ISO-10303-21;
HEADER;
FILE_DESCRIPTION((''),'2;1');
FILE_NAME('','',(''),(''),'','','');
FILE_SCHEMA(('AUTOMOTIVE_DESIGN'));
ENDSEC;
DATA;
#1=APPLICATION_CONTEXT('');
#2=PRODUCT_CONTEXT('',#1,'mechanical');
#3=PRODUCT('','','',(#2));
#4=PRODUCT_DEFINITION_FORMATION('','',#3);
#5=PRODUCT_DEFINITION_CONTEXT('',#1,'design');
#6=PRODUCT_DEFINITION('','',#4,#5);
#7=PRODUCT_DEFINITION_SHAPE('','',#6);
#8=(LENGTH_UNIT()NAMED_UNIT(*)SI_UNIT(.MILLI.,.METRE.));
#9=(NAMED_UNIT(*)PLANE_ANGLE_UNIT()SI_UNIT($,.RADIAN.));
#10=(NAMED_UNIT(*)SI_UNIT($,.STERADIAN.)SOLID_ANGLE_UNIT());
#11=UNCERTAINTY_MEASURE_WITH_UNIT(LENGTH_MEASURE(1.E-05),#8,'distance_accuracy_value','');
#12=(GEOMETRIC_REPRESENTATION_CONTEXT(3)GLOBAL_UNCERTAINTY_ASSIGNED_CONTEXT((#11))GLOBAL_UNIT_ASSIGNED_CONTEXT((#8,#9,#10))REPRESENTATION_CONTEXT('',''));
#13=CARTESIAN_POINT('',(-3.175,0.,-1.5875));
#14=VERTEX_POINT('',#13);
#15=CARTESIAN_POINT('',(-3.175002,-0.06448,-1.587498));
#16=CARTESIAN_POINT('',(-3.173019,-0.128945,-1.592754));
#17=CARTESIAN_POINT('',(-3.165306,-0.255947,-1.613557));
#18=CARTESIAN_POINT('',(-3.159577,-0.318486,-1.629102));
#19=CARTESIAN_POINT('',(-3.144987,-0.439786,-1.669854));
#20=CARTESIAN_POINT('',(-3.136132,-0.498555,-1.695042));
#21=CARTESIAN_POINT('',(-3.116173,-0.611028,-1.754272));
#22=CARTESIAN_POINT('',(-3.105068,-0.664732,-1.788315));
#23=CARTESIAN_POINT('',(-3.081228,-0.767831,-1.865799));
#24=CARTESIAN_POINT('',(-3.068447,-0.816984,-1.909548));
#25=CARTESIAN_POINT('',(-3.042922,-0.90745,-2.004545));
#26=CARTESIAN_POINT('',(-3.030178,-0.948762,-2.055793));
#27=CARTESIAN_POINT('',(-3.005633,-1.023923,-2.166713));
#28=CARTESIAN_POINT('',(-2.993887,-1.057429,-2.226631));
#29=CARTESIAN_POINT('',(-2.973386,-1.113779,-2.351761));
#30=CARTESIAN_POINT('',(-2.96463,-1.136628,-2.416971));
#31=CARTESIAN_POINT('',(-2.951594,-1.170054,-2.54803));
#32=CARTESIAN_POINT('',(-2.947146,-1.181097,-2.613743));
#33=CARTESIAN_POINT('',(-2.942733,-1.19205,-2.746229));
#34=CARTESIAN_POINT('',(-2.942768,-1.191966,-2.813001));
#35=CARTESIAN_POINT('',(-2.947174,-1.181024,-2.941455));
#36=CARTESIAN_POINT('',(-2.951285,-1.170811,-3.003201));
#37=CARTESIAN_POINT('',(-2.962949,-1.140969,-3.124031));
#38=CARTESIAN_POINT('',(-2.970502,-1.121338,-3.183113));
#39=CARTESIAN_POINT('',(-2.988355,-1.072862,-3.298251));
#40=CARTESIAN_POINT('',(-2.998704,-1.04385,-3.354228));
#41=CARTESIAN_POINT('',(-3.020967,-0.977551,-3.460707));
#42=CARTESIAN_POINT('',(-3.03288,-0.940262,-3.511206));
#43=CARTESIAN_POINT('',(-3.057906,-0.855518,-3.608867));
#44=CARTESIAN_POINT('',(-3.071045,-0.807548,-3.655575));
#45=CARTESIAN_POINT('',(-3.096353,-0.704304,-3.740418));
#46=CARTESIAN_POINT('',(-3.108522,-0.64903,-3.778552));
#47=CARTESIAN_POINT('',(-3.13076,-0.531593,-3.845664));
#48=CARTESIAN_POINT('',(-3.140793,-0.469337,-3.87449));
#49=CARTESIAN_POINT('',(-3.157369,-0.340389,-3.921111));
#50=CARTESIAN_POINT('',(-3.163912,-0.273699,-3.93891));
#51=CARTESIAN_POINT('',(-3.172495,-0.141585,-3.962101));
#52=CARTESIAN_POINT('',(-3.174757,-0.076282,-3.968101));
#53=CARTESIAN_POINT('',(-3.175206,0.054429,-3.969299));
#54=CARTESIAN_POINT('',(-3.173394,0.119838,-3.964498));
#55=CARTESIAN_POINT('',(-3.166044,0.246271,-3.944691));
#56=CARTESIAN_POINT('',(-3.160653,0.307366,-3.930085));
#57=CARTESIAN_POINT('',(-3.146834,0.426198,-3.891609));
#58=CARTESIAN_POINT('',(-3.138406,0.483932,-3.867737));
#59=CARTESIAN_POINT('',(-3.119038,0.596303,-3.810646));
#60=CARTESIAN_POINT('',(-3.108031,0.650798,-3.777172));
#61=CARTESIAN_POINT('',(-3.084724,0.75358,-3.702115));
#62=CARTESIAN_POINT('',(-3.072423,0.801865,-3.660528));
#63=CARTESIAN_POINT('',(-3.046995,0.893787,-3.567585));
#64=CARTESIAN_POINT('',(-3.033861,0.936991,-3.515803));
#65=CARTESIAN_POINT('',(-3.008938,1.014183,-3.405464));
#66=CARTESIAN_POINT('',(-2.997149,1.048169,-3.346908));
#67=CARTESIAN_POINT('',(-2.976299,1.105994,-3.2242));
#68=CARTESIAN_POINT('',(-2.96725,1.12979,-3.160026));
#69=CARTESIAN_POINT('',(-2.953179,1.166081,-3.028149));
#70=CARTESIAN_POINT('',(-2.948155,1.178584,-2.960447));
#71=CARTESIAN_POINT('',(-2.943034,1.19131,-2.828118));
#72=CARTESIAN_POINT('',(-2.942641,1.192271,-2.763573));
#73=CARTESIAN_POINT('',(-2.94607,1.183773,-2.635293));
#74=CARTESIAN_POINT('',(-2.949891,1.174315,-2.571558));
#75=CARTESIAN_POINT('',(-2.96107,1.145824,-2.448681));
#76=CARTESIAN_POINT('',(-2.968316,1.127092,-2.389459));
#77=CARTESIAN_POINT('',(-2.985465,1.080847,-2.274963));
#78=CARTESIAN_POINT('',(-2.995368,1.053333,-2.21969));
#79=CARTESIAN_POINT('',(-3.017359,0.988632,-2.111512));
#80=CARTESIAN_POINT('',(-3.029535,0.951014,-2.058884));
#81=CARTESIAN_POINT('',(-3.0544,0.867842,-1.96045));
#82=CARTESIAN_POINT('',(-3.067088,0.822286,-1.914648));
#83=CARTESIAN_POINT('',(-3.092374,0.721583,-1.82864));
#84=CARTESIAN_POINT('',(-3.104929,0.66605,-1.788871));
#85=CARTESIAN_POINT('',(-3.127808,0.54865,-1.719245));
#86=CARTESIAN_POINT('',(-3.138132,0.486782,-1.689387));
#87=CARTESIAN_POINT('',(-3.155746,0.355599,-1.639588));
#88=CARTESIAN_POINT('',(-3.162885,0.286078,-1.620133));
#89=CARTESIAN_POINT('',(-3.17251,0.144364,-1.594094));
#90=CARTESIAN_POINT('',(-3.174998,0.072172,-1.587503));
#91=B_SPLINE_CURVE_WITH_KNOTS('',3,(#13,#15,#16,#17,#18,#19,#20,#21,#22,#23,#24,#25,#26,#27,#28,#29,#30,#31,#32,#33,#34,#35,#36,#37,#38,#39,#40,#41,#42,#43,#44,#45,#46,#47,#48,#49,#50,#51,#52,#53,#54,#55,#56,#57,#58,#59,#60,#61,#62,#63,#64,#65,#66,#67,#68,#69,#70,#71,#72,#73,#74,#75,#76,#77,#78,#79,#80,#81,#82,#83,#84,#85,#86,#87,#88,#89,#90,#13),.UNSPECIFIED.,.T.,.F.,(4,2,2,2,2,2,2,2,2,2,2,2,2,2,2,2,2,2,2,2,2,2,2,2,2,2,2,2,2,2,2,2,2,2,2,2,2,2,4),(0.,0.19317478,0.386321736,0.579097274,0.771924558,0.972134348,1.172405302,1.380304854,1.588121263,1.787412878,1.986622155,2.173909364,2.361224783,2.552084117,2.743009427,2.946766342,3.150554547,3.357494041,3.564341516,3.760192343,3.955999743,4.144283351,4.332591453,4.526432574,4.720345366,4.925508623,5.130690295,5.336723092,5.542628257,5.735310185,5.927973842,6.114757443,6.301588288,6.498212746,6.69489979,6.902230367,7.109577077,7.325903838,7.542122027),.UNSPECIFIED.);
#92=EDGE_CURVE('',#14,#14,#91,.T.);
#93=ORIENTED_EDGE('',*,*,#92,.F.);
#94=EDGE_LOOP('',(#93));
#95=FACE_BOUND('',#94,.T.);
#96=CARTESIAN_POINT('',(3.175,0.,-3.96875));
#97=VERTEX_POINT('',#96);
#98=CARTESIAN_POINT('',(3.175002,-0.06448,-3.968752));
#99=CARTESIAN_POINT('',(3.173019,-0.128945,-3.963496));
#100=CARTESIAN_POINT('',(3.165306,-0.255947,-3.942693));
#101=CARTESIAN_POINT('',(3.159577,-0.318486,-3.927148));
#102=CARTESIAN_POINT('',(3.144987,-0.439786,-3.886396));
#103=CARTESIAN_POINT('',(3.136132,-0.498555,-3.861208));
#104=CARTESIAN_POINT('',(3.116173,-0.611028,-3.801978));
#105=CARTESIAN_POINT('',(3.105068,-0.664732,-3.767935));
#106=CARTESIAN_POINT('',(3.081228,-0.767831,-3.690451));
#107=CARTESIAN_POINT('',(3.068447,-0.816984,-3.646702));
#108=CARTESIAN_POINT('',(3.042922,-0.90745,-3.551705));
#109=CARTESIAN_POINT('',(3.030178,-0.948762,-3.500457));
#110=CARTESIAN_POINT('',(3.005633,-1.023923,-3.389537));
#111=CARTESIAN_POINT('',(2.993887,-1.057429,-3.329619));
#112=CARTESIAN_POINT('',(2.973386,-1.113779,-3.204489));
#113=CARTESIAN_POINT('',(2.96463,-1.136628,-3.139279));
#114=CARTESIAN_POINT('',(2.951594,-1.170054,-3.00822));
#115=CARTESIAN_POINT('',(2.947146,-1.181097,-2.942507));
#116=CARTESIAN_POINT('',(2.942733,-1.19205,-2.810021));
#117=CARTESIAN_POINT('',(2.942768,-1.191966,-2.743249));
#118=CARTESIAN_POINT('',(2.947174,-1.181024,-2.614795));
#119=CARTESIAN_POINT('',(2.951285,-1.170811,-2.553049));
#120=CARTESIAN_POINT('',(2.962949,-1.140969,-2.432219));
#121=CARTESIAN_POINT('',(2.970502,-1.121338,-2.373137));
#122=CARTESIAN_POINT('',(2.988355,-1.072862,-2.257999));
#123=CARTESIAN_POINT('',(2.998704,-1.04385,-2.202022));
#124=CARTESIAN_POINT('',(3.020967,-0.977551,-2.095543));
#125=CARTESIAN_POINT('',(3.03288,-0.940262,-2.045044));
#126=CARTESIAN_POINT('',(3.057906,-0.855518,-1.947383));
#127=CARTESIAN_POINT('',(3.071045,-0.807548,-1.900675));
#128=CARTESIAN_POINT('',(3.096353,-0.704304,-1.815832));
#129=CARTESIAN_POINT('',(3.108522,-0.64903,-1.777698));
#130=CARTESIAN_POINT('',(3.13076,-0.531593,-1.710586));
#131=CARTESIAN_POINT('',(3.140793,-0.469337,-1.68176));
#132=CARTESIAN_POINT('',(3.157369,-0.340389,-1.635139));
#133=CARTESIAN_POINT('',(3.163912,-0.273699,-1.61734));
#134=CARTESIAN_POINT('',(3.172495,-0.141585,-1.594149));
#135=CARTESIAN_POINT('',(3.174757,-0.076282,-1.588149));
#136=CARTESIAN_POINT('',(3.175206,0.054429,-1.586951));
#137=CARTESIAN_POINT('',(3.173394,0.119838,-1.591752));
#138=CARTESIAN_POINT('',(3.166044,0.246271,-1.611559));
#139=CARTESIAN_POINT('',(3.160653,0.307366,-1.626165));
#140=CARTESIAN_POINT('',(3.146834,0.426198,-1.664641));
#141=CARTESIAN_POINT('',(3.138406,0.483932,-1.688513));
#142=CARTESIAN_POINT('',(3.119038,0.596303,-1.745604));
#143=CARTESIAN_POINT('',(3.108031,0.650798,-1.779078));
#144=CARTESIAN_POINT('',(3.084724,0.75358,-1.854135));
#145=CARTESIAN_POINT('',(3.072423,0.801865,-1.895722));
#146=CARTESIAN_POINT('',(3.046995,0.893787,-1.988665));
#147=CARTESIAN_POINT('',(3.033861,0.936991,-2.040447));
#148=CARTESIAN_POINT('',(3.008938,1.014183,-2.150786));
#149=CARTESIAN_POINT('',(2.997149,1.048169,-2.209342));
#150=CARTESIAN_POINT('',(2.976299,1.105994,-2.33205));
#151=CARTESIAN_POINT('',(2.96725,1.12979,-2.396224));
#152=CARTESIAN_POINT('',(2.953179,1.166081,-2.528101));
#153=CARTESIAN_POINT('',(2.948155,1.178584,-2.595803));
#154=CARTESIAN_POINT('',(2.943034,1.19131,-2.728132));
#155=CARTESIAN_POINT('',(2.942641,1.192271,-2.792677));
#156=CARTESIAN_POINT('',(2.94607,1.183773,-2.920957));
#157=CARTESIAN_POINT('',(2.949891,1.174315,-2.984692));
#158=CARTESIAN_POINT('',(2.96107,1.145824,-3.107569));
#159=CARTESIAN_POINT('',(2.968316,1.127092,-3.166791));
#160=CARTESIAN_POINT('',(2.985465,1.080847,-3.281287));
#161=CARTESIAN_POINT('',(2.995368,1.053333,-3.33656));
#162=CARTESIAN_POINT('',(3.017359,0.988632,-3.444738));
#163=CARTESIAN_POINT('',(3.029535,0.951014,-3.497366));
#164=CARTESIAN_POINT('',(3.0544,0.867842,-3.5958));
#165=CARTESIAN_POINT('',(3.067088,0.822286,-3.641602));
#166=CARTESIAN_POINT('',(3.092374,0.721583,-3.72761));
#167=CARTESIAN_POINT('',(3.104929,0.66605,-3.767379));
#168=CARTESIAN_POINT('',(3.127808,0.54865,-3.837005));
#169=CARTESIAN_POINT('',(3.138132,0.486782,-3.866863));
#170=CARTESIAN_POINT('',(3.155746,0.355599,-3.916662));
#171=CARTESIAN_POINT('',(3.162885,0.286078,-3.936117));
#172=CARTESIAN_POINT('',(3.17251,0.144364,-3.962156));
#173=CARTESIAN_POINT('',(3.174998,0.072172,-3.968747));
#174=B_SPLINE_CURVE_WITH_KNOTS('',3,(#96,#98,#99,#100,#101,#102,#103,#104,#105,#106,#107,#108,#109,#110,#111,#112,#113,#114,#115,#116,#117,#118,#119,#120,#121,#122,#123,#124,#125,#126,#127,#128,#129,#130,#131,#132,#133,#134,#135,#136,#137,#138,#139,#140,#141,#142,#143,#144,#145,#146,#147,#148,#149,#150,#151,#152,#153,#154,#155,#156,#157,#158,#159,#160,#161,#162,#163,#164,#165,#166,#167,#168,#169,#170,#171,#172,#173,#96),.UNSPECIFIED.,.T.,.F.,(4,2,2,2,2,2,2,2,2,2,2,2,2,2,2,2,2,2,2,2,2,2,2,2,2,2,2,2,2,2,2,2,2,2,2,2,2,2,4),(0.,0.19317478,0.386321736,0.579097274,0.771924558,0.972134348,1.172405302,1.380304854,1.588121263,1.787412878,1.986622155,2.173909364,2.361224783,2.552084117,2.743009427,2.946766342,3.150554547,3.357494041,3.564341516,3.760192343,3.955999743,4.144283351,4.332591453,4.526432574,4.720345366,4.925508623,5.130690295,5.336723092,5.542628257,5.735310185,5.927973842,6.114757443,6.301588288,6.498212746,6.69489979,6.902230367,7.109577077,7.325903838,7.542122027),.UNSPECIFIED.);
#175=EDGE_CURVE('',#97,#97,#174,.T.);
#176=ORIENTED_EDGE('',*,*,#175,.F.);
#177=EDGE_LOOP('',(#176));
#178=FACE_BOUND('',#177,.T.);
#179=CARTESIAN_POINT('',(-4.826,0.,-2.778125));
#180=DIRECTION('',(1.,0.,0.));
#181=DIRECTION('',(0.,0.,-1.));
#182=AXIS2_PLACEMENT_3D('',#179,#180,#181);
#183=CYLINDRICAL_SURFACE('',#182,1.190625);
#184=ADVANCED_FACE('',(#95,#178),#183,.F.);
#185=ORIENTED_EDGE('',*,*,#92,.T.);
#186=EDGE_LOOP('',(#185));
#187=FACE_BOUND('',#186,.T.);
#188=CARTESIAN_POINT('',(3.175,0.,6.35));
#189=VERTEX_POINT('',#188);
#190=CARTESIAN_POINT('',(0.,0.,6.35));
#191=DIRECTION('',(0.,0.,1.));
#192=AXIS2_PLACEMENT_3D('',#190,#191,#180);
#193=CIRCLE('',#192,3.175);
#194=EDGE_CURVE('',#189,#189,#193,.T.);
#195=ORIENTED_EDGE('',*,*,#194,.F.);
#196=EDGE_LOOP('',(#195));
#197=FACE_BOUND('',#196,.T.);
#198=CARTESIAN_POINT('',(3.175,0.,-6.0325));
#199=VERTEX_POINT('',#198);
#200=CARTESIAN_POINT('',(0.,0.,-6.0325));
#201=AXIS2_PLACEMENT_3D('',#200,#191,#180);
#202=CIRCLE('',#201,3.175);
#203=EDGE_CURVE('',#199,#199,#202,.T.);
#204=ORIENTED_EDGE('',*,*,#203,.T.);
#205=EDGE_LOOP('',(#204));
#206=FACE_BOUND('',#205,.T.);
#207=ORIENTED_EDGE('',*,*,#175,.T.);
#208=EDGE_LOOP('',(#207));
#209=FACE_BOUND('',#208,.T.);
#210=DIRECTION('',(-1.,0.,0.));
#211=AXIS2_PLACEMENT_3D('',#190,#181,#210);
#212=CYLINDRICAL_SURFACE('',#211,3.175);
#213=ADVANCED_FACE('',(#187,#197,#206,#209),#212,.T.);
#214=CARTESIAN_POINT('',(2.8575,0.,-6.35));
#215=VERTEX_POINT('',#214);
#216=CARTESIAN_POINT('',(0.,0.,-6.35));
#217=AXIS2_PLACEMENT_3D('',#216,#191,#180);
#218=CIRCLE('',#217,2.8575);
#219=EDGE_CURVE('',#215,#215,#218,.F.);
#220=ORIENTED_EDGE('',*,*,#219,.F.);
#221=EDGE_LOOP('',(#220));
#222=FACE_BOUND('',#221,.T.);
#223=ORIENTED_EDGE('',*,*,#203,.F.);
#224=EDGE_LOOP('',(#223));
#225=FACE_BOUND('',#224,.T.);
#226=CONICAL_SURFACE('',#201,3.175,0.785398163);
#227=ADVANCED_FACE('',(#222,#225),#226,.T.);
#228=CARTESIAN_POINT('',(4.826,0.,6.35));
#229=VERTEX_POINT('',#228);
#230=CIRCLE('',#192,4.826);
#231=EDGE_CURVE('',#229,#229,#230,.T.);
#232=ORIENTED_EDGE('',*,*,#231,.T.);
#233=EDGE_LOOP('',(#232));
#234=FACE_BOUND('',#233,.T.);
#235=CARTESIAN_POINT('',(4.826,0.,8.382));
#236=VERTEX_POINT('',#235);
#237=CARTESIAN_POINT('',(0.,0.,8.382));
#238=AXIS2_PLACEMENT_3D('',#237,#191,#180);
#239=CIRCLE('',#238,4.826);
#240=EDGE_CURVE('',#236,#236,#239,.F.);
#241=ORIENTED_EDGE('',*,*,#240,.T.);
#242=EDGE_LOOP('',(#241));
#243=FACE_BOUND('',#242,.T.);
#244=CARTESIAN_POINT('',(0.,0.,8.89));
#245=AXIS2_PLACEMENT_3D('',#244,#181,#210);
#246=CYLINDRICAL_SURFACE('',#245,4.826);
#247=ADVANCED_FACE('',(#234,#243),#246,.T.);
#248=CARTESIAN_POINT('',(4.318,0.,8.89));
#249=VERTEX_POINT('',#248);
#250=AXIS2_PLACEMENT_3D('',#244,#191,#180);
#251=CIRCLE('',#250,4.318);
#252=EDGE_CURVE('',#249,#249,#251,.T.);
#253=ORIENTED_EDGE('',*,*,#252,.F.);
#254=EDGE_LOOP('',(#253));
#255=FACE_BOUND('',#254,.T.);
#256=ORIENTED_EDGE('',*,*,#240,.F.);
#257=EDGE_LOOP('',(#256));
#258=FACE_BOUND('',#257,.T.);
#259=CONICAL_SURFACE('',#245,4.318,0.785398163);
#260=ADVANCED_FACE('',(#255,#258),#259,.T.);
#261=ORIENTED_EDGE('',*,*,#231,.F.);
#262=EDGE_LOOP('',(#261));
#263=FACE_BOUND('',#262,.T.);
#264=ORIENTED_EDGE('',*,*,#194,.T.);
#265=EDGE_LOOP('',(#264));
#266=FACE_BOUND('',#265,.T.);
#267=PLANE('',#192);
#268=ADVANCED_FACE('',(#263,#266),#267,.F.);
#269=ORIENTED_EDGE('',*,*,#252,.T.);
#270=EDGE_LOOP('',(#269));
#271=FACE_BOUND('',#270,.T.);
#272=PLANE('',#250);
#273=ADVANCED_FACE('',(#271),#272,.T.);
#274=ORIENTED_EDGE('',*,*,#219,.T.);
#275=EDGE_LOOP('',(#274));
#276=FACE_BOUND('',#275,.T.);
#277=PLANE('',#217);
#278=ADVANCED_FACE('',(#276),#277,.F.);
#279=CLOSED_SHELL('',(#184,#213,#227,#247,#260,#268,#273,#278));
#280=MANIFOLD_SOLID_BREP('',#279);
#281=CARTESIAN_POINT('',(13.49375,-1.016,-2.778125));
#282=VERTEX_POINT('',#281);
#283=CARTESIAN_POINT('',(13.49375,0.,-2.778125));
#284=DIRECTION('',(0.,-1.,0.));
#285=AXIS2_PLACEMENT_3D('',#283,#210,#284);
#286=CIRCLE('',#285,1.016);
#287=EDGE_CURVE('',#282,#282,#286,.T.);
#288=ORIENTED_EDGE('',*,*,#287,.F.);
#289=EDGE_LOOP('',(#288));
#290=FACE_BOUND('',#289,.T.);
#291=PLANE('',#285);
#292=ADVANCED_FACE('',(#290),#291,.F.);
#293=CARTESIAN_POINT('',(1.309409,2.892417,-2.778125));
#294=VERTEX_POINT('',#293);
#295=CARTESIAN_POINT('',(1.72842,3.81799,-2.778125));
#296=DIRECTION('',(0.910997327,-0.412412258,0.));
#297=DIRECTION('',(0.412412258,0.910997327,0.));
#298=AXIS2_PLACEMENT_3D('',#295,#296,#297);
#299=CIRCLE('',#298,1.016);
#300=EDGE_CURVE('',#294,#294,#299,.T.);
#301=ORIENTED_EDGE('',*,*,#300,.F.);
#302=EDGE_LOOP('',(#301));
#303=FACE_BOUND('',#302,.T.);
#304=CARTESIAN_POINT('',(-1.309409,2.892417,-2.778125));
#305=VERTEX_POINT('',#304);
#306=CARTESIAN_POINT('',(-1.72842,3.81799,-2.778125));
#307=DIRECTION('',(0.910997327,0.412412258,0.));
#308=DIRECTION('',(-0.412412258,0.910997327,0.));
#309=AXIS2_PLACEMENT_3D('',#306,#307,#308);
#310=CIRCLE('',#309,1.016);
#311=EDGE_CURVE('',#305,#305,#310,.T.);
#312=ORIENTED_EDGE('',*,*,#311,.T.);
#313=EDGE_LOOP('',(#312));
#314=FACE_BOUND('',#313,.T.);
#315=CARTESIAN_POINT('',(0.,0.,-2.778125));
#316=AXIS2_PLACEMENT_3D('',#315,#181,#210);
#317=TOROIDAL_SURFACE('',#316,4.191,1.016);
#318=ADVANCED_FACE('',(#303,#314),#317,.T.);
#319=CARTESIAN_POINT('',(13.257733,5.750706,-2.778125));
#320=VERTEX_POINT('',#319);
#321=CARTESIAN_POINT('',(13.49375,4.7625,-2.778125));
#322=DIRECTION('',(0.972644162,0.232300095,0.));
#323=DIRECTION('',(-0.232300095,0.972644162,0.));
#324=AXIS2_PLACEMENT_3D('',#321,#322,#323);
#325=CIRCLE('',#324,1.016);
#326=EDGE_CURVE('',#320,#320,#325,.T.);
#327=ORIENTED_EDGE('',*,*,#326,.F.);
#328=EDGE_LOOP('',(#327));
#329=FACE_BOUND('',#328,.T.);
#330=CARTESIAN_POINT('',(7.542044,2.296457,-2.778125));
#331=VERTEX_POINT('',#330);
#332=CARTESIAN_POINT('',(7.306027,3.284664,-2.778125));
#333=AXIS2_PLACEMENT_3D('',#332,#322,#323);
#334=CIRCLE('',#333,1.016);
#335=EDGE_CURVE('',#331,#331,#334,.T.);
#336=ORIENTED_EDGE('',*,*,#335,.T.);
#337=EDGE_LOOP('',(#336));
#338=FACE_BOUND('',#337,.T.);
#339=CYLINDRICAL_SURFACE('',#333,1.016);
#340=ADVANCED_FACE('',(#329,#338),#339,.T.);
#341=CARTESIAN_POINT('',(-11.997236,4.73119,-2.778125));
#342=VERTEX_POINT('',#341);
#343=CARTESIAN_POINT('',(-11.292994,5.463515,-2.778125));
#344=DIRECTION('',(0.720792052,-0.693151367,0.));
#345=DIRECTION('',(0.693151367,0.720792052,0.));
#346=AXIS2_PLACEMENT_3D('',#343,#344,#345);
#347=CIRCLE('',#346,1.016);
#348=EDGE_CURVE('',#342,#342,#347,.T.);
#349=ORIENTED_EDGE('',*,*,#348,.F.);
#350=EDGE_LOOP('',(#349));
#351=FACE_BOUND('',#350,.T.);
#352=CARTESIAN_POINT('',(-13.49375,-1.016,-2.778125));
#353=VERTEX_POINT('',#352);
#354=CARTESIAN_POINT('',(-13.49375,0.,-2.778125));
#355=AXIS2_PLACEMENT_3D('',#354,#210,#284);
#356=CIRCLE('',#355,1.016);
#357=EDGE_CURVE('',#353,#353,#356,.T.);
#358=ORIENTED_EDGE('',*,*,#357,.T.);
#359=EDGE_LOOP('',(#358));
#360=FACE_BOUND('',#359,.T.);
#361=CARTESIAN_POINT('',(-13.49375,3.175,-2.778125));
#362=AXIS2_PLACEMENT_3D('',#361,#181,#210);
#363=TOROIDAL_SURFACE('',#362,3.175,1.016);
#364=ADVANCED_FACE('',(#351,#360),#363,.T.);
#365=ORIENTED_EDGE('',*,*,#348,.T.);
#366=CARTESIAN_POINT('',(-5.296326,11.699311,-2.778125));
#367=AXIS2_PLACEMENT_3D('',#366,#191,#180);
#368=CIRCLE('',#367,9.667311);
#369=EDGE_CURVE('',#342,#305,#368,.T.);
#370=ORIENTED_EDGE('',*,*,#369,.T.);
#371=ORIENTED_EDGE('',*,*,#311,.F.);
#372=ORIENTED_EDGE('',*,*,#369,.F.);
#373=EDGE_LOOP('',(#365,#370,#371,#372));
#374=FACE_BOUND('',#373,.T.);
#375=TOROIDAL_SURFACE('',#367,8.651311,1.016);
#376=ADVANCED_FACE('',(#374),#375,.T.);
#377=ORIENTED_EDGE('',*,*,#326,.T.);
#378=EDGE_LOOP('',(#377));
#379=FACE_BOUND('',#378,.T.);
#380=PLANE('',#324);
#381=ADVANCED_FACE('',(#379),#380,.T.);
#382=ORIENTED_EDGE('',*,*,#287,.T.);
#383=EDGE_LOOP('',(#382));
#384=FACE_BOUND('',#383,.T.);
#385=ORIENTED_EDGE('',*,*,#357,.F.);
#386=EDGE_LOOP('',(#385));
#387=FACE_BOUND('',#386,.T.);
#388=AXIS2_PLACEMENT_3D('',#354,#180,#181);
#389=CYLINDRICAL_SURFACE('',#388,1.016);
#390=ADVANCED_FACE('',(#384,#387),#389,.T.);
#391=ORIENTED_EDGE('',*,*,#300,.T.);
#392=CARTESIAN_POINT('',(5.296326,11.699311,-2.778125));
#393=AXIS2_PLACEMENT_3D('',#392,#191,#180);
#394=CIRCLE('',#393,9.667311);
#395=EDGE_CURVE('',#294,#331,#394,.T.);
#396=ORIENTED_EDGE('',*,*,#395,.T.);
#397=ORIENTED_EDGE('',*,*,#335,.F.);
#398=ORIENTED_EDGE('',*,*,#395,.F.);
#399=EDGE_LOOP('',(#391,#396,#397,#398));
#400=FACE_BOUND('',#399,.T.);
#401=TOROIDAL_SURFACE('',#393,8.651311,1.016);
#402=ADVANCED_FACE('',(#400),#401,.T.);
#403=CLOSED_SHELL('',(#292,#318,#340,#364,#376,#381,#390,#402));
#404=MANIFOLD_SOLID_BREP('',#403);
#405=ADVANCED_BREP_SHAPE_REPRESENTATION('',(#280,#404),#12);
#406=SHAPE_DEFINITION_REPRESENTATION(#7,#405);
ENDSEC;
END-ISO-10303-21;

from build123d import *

# Parameters (mm, degrees)
SKETCH1_R           = 3.175
EXTRUDE1_DEPTH      = 6.35
SKETCH2_R           = 4.826
EXTRUDE2_DEPTH      = 2.54
CHAMFER1_SIZE       = 0.508
EXTRUDE3_DEPTH      = 12.207705028
EXTRUDE3_DEPTH_BACK = 12.207705028
SKETCH3_R           = 1.190625
CHAMFER2_SIZE       = 0.3175
SKETCH7_R           = 1.016


with BuildPart() as part:
    # Sketch1 → Extrude1 (new, symmetric)
    with BuildSketch(Plane.XY):
        Circle(SKETCH1_R)
    extrude(amount=EXTRUDE1_DEPTH, both=True)

    # Sketch2 → Extrude2 (add)
    with BuildSketch(Plane.XY.offset(6.35)):
        Circle(SKETCH2_R)
    extrude(amount=EXTRUDE2_DEPTH)

    # Chamfer1
    chamfer1_edges = [part.edges().sort_by_distance(p)[0] for p in [
        (-4.826, 0, 8.89),
    ]]
    chamfer(chamfer1_edges, length=CHAMFER1_SIZE)

    # Sketch3 → Extrude3 (cut, two sides: drawn at the far end of the back side and taken through both)
    with BuildSketch(Plane(origin=(0, 0, 0), x_dir=(0, 0, -1), z_dir=(1, 0, 0)).offset(-EXTRUDE3_DEPTH_BACK)):
        with Locations(Location((2.778125, 0, 0), (0, 0, 179.999999999))):
            Circle(SKETCH3_R)
    extrude(amount=EXTRUDE3_DEPTH + EXTRUDE3_DEPTH_BACK, mode=Mode.SUBTRACT)

    # Chamfer2
    chamfer2_edges = [part.edges().sort_by_distance(p)[0] for p in [
        (-3.175, 0, -6.35),
    ]]
    chamfer(chamfer2_edges, length=CHAMFER2_SIZE)


with BuildPart() as body_2:
    # Sweep1: sweep along a path in Sketch6
    with BuildLine(Plane.XY.offset(-2.778125)) as sweep1_path:
        Line((13.49375, 0), (-13.49375, 0))
        ThreePointArc((-13.49375, 0), (-16.438801729, 4.361294783), (-11.292994408, 5.463514764))
        ThreePointArc((-11.292994408, 5.463514764), (-6.763179694, 3.173261299), (-1.728419774, 3.817989796))
        ThreePointArc((-1.728419774, 3.817989796), (0, 4.191), (1.728419774, 3.817989796))
        ThreePointArc((1.728419774, 3.817989796), (4.472851559, 3.087280395), (7.306026778, 3.28466386))
        Line((7.306026778, 3.28466386), (13.49375, 4.7625))
    # Sketch7 → Sweep1 (sweep)
    with BuildSketch(Plane(origin=(13.49375, 0, -2.778125), x_dir=(0, 0, 1), z_dir=(-1, 0, 0))):
        Circle(SKETCH7_R)
    sweep(path=sweep1_path.line)


solid = Compound([part.part, body_2.part])
